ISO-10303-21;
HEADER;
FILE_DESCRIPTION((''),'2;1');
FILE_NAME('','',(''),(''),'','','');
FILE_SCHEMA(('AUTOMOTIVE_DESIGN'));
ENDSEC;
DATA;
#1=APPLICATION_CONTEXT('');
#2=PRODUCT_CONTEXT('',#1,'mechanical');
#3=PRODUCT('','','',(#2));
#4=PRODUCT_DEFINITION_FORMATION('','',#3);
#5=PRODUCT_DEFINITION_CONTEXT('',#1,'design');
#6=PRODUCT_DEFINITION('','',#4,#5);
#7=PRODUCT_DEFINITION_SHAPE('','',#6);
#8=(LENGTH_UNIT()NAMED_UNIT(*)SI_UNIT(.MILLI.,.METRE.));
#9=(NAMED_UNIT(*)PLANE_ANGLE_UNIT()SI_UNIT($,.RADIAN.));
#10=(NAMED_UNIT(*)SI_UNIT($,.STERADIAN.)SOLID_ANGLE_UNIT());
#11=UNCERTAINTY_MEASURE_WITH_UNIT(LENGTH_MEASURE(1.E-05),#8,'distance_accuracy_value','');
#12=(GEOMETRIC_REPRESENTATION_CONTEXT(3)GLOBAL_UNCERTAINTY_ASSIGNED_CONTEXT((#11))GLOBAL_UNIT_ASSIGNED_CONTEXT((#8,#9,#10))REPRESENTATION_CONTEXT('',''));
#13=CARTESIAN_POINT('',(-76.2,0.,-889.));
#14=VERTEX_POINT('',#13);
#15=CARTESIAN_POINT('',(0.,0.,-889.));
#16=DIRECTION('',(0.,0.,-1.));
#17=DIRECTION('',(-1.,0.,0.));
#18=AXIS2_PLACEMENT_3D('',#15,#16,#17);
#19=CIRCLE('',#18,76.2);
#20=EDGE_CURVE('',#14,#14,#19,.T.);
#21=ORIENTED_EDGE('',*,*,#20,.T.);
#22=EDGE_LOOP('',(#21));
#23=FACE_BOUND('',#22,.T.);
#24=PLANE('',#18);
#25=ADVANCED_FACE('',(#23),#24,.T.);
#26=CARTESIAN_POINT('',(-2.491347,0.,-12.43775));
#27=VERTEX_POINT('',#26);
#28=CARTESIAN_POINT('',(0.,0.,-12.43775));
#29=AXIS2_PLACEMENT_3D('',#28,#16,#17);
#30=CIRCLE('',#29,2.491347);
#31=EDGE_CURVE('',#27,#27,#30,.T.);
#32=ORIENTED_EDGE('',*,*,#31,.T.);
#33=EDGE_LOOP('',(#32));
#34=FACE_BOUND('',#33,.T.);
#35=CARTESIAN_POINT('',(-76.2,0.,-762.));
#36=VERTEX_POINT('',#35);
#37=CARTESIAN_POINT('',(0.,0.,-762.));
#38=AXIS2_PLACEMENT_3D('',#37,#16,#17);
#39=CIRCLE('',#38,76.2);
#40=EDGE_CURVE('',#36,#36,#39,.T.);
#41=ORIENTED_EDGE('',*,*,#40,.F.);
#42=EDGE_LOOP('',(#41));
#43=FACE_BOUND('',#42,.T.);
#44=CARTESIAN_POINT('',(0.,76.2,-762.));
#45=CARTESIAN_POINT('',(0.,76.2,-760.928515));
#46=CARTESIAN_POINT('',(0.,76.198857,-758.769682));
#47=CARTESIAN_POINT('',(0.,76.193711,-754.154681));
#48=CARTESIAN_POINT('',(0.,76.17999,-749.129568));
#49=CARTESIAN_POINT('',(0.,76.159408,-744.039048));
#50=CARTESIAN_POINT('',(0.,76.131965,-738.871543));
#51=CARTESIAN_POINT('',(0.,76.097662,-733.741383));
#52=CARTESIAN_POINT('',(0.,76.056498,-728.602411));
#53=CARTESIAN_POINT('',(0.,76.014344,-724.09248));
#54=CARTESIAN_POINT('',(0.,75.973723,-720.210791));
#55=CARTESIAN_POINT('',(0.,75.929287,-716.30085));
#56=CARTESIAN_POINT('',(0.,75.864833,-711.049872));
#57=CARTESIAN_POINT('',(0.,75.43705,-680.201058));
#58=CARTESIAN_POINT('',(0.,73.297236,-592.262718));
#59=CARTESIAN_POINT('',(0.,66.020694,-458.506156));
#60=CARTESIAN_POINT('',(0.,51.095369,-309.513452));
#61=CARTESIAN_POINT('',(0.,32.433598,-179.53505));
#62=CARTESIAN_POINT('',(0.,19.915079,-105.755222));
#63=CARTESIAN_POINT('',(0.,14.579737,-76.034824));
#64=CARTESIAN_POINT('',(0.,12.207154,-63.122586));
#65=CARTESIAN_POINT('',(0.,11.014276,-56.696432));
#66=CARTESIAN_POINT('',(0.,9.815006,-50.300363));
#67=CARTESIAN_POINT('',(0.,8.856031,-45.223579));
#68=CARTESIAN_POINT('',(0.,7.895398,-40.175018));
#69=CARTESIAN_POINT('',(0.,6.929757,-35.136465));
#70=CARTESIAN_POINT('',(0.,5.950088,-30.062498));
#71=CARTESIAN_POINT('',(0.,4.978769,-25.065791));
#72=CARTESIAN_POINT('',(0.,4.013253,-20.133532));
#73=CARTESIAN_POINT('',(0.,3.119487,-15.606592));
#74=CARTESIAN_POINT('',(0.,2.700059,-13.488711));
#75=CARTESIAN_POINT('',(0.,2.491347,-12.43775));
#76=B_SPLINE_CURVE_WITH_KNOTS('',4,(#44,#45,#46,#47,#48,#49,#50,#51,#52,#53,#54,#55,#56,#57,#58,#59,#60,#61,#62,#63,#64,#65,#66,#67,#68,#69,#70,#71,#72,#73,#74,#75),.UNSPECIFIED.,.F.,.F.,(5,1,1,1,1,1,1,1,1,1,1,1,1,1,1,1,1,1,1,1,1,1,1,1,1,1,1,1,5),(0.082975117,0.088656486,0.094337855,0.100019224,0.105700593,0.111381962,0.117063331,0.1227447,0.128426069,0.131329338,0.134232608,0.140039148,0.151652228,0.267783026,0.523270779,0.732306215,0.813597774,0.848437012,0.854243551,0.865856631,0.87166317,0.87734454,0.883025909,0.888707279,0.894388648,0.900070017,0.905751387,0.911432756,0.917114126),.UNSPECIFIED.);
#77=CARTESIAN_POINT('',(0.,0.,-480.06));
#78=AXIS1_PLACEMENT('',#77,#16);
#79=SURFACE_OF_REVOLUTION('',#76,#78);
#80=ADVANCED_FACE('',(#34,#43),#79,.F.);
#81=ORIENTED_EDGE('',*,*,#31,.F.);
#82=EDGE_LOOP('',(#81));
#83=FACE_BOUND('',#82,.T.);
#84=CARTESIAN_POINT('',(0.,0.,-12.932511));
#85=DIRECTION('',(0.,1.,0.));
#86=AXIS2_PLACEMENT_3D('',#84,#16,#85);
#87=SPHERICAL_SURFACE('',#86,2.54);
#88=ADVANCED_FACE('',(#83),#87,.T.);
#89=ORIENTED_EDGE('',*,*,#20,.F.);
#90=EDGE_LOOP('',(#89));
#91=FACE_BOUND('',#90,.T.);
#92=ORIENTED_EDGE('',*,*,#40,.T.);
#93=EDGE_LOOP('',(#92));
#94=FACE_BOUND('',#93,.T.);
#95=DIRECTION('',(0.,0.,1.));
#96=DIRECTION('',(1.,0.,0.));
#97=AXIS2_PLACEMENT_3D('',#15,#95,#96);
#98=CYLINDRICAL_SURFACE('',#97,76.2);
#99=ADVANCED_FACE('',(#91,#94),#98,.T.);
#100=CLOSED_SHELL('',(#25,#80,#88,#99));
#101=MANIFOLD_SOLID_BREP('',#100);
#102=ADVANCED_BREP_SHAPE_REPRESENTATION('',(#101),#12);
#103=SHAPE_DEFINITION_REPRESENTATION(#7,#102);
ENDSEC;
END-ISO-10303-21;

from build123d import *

# Parameters (mm, degrees)
SKETCH4_R           = 76.2
BOSS_EXTRUDE1_DEPTH = 127


with BuildPart() as part:
    # Sketch1 → Revolve1 (revolve)
    with BuildSketch(Plane(origin=(0, 0, 0), x_dir=(0, 0, -1), z_dir=(1, 0, 0))):
        with BuildLine():
            Line((762, 76.2), (762, 0))
            Line((762, 0), (10.392510651, 0))
            ThreePointArc((10.392510651, 0), (10.969312772, 1.611661902), (12.43775009, 2.491347424))
            add(Edge.make_bspline(
                [(12.43775009, 2.491347424), (13.488711327, 2.700059451), (15.606591589, 3.119486806), (20.133531912, 4.013252911), (25.065791341, 4.978768618), (30.062498117, 5.950088372), (35.136465483, 6.929756813), (40.175018448, 7.895397688), (45.223578696, 8.856031422), (50.300363, 9.815006109), (56.696431734, 11.014276098), (63.122586322, 12.207153857), (76.034823982, 14.579737117), (105.755222241, 19.915079038), (179.535050201, 32.433597939), (309.513452378, 51.095369343), (458.506155711, 66.02069447), (592.262717593, 73.29723603), (680.201058154, 75.437050478), (711.04987216, 75.864833243), (716.300850088, 75.929287269), (720.21079081, 75.97372325), (724.092480204, 76.014344218), (728.602410654, 76.056497713), (733.741383178, 76.097661533), (738.8715428, 76.131964829), (744.039048308, 76.159407539), (749.129567884, 76.179989614), (754.154681276, 76.193711018), (758.769681779, 76.198856549), (760.928515032, 76.2), (762, 76.2)],
                knots=[0.082975117, 0.082975117, 0.082975117, 0.082975117, 0.082975117, 0.088656486, 0.094337856, 0.100019225, 0.105700595, 0.111381964, 0.117063334, 0.122744703, 0.128426072, 0.134232612, 0.145845691, 0.151652231, 0.186491469, 0.267783028, 0.476818464, 0.732306217, 0.848437015, 0.860050094, 0.865856634, 0.868759904, 0.871663174, 0.877344543, 0.883025912, 0.888707281, 0.89438865, 0.900070019, 0.905751388, 0.911432757, 0.917114126, 0.917114126, 0.917114126, 0.917114126, 0.917114126], degree=4))
        make_face()
    revolve(axis=Axis((0, 0, -480.06), (0, 0, 1)))

    # Sketch4 → Boss-Extrude1 (add)
    with BuildSketch(Plane(origin=(0, 0, -762), x_dir=(-1, 0, 0), z_dir=(0, 0, -1))):
        Circle(SKETCH4_R)
    extrude(amount=BOSS_EXTRUDE1_DEPTH)


solid = part.part
